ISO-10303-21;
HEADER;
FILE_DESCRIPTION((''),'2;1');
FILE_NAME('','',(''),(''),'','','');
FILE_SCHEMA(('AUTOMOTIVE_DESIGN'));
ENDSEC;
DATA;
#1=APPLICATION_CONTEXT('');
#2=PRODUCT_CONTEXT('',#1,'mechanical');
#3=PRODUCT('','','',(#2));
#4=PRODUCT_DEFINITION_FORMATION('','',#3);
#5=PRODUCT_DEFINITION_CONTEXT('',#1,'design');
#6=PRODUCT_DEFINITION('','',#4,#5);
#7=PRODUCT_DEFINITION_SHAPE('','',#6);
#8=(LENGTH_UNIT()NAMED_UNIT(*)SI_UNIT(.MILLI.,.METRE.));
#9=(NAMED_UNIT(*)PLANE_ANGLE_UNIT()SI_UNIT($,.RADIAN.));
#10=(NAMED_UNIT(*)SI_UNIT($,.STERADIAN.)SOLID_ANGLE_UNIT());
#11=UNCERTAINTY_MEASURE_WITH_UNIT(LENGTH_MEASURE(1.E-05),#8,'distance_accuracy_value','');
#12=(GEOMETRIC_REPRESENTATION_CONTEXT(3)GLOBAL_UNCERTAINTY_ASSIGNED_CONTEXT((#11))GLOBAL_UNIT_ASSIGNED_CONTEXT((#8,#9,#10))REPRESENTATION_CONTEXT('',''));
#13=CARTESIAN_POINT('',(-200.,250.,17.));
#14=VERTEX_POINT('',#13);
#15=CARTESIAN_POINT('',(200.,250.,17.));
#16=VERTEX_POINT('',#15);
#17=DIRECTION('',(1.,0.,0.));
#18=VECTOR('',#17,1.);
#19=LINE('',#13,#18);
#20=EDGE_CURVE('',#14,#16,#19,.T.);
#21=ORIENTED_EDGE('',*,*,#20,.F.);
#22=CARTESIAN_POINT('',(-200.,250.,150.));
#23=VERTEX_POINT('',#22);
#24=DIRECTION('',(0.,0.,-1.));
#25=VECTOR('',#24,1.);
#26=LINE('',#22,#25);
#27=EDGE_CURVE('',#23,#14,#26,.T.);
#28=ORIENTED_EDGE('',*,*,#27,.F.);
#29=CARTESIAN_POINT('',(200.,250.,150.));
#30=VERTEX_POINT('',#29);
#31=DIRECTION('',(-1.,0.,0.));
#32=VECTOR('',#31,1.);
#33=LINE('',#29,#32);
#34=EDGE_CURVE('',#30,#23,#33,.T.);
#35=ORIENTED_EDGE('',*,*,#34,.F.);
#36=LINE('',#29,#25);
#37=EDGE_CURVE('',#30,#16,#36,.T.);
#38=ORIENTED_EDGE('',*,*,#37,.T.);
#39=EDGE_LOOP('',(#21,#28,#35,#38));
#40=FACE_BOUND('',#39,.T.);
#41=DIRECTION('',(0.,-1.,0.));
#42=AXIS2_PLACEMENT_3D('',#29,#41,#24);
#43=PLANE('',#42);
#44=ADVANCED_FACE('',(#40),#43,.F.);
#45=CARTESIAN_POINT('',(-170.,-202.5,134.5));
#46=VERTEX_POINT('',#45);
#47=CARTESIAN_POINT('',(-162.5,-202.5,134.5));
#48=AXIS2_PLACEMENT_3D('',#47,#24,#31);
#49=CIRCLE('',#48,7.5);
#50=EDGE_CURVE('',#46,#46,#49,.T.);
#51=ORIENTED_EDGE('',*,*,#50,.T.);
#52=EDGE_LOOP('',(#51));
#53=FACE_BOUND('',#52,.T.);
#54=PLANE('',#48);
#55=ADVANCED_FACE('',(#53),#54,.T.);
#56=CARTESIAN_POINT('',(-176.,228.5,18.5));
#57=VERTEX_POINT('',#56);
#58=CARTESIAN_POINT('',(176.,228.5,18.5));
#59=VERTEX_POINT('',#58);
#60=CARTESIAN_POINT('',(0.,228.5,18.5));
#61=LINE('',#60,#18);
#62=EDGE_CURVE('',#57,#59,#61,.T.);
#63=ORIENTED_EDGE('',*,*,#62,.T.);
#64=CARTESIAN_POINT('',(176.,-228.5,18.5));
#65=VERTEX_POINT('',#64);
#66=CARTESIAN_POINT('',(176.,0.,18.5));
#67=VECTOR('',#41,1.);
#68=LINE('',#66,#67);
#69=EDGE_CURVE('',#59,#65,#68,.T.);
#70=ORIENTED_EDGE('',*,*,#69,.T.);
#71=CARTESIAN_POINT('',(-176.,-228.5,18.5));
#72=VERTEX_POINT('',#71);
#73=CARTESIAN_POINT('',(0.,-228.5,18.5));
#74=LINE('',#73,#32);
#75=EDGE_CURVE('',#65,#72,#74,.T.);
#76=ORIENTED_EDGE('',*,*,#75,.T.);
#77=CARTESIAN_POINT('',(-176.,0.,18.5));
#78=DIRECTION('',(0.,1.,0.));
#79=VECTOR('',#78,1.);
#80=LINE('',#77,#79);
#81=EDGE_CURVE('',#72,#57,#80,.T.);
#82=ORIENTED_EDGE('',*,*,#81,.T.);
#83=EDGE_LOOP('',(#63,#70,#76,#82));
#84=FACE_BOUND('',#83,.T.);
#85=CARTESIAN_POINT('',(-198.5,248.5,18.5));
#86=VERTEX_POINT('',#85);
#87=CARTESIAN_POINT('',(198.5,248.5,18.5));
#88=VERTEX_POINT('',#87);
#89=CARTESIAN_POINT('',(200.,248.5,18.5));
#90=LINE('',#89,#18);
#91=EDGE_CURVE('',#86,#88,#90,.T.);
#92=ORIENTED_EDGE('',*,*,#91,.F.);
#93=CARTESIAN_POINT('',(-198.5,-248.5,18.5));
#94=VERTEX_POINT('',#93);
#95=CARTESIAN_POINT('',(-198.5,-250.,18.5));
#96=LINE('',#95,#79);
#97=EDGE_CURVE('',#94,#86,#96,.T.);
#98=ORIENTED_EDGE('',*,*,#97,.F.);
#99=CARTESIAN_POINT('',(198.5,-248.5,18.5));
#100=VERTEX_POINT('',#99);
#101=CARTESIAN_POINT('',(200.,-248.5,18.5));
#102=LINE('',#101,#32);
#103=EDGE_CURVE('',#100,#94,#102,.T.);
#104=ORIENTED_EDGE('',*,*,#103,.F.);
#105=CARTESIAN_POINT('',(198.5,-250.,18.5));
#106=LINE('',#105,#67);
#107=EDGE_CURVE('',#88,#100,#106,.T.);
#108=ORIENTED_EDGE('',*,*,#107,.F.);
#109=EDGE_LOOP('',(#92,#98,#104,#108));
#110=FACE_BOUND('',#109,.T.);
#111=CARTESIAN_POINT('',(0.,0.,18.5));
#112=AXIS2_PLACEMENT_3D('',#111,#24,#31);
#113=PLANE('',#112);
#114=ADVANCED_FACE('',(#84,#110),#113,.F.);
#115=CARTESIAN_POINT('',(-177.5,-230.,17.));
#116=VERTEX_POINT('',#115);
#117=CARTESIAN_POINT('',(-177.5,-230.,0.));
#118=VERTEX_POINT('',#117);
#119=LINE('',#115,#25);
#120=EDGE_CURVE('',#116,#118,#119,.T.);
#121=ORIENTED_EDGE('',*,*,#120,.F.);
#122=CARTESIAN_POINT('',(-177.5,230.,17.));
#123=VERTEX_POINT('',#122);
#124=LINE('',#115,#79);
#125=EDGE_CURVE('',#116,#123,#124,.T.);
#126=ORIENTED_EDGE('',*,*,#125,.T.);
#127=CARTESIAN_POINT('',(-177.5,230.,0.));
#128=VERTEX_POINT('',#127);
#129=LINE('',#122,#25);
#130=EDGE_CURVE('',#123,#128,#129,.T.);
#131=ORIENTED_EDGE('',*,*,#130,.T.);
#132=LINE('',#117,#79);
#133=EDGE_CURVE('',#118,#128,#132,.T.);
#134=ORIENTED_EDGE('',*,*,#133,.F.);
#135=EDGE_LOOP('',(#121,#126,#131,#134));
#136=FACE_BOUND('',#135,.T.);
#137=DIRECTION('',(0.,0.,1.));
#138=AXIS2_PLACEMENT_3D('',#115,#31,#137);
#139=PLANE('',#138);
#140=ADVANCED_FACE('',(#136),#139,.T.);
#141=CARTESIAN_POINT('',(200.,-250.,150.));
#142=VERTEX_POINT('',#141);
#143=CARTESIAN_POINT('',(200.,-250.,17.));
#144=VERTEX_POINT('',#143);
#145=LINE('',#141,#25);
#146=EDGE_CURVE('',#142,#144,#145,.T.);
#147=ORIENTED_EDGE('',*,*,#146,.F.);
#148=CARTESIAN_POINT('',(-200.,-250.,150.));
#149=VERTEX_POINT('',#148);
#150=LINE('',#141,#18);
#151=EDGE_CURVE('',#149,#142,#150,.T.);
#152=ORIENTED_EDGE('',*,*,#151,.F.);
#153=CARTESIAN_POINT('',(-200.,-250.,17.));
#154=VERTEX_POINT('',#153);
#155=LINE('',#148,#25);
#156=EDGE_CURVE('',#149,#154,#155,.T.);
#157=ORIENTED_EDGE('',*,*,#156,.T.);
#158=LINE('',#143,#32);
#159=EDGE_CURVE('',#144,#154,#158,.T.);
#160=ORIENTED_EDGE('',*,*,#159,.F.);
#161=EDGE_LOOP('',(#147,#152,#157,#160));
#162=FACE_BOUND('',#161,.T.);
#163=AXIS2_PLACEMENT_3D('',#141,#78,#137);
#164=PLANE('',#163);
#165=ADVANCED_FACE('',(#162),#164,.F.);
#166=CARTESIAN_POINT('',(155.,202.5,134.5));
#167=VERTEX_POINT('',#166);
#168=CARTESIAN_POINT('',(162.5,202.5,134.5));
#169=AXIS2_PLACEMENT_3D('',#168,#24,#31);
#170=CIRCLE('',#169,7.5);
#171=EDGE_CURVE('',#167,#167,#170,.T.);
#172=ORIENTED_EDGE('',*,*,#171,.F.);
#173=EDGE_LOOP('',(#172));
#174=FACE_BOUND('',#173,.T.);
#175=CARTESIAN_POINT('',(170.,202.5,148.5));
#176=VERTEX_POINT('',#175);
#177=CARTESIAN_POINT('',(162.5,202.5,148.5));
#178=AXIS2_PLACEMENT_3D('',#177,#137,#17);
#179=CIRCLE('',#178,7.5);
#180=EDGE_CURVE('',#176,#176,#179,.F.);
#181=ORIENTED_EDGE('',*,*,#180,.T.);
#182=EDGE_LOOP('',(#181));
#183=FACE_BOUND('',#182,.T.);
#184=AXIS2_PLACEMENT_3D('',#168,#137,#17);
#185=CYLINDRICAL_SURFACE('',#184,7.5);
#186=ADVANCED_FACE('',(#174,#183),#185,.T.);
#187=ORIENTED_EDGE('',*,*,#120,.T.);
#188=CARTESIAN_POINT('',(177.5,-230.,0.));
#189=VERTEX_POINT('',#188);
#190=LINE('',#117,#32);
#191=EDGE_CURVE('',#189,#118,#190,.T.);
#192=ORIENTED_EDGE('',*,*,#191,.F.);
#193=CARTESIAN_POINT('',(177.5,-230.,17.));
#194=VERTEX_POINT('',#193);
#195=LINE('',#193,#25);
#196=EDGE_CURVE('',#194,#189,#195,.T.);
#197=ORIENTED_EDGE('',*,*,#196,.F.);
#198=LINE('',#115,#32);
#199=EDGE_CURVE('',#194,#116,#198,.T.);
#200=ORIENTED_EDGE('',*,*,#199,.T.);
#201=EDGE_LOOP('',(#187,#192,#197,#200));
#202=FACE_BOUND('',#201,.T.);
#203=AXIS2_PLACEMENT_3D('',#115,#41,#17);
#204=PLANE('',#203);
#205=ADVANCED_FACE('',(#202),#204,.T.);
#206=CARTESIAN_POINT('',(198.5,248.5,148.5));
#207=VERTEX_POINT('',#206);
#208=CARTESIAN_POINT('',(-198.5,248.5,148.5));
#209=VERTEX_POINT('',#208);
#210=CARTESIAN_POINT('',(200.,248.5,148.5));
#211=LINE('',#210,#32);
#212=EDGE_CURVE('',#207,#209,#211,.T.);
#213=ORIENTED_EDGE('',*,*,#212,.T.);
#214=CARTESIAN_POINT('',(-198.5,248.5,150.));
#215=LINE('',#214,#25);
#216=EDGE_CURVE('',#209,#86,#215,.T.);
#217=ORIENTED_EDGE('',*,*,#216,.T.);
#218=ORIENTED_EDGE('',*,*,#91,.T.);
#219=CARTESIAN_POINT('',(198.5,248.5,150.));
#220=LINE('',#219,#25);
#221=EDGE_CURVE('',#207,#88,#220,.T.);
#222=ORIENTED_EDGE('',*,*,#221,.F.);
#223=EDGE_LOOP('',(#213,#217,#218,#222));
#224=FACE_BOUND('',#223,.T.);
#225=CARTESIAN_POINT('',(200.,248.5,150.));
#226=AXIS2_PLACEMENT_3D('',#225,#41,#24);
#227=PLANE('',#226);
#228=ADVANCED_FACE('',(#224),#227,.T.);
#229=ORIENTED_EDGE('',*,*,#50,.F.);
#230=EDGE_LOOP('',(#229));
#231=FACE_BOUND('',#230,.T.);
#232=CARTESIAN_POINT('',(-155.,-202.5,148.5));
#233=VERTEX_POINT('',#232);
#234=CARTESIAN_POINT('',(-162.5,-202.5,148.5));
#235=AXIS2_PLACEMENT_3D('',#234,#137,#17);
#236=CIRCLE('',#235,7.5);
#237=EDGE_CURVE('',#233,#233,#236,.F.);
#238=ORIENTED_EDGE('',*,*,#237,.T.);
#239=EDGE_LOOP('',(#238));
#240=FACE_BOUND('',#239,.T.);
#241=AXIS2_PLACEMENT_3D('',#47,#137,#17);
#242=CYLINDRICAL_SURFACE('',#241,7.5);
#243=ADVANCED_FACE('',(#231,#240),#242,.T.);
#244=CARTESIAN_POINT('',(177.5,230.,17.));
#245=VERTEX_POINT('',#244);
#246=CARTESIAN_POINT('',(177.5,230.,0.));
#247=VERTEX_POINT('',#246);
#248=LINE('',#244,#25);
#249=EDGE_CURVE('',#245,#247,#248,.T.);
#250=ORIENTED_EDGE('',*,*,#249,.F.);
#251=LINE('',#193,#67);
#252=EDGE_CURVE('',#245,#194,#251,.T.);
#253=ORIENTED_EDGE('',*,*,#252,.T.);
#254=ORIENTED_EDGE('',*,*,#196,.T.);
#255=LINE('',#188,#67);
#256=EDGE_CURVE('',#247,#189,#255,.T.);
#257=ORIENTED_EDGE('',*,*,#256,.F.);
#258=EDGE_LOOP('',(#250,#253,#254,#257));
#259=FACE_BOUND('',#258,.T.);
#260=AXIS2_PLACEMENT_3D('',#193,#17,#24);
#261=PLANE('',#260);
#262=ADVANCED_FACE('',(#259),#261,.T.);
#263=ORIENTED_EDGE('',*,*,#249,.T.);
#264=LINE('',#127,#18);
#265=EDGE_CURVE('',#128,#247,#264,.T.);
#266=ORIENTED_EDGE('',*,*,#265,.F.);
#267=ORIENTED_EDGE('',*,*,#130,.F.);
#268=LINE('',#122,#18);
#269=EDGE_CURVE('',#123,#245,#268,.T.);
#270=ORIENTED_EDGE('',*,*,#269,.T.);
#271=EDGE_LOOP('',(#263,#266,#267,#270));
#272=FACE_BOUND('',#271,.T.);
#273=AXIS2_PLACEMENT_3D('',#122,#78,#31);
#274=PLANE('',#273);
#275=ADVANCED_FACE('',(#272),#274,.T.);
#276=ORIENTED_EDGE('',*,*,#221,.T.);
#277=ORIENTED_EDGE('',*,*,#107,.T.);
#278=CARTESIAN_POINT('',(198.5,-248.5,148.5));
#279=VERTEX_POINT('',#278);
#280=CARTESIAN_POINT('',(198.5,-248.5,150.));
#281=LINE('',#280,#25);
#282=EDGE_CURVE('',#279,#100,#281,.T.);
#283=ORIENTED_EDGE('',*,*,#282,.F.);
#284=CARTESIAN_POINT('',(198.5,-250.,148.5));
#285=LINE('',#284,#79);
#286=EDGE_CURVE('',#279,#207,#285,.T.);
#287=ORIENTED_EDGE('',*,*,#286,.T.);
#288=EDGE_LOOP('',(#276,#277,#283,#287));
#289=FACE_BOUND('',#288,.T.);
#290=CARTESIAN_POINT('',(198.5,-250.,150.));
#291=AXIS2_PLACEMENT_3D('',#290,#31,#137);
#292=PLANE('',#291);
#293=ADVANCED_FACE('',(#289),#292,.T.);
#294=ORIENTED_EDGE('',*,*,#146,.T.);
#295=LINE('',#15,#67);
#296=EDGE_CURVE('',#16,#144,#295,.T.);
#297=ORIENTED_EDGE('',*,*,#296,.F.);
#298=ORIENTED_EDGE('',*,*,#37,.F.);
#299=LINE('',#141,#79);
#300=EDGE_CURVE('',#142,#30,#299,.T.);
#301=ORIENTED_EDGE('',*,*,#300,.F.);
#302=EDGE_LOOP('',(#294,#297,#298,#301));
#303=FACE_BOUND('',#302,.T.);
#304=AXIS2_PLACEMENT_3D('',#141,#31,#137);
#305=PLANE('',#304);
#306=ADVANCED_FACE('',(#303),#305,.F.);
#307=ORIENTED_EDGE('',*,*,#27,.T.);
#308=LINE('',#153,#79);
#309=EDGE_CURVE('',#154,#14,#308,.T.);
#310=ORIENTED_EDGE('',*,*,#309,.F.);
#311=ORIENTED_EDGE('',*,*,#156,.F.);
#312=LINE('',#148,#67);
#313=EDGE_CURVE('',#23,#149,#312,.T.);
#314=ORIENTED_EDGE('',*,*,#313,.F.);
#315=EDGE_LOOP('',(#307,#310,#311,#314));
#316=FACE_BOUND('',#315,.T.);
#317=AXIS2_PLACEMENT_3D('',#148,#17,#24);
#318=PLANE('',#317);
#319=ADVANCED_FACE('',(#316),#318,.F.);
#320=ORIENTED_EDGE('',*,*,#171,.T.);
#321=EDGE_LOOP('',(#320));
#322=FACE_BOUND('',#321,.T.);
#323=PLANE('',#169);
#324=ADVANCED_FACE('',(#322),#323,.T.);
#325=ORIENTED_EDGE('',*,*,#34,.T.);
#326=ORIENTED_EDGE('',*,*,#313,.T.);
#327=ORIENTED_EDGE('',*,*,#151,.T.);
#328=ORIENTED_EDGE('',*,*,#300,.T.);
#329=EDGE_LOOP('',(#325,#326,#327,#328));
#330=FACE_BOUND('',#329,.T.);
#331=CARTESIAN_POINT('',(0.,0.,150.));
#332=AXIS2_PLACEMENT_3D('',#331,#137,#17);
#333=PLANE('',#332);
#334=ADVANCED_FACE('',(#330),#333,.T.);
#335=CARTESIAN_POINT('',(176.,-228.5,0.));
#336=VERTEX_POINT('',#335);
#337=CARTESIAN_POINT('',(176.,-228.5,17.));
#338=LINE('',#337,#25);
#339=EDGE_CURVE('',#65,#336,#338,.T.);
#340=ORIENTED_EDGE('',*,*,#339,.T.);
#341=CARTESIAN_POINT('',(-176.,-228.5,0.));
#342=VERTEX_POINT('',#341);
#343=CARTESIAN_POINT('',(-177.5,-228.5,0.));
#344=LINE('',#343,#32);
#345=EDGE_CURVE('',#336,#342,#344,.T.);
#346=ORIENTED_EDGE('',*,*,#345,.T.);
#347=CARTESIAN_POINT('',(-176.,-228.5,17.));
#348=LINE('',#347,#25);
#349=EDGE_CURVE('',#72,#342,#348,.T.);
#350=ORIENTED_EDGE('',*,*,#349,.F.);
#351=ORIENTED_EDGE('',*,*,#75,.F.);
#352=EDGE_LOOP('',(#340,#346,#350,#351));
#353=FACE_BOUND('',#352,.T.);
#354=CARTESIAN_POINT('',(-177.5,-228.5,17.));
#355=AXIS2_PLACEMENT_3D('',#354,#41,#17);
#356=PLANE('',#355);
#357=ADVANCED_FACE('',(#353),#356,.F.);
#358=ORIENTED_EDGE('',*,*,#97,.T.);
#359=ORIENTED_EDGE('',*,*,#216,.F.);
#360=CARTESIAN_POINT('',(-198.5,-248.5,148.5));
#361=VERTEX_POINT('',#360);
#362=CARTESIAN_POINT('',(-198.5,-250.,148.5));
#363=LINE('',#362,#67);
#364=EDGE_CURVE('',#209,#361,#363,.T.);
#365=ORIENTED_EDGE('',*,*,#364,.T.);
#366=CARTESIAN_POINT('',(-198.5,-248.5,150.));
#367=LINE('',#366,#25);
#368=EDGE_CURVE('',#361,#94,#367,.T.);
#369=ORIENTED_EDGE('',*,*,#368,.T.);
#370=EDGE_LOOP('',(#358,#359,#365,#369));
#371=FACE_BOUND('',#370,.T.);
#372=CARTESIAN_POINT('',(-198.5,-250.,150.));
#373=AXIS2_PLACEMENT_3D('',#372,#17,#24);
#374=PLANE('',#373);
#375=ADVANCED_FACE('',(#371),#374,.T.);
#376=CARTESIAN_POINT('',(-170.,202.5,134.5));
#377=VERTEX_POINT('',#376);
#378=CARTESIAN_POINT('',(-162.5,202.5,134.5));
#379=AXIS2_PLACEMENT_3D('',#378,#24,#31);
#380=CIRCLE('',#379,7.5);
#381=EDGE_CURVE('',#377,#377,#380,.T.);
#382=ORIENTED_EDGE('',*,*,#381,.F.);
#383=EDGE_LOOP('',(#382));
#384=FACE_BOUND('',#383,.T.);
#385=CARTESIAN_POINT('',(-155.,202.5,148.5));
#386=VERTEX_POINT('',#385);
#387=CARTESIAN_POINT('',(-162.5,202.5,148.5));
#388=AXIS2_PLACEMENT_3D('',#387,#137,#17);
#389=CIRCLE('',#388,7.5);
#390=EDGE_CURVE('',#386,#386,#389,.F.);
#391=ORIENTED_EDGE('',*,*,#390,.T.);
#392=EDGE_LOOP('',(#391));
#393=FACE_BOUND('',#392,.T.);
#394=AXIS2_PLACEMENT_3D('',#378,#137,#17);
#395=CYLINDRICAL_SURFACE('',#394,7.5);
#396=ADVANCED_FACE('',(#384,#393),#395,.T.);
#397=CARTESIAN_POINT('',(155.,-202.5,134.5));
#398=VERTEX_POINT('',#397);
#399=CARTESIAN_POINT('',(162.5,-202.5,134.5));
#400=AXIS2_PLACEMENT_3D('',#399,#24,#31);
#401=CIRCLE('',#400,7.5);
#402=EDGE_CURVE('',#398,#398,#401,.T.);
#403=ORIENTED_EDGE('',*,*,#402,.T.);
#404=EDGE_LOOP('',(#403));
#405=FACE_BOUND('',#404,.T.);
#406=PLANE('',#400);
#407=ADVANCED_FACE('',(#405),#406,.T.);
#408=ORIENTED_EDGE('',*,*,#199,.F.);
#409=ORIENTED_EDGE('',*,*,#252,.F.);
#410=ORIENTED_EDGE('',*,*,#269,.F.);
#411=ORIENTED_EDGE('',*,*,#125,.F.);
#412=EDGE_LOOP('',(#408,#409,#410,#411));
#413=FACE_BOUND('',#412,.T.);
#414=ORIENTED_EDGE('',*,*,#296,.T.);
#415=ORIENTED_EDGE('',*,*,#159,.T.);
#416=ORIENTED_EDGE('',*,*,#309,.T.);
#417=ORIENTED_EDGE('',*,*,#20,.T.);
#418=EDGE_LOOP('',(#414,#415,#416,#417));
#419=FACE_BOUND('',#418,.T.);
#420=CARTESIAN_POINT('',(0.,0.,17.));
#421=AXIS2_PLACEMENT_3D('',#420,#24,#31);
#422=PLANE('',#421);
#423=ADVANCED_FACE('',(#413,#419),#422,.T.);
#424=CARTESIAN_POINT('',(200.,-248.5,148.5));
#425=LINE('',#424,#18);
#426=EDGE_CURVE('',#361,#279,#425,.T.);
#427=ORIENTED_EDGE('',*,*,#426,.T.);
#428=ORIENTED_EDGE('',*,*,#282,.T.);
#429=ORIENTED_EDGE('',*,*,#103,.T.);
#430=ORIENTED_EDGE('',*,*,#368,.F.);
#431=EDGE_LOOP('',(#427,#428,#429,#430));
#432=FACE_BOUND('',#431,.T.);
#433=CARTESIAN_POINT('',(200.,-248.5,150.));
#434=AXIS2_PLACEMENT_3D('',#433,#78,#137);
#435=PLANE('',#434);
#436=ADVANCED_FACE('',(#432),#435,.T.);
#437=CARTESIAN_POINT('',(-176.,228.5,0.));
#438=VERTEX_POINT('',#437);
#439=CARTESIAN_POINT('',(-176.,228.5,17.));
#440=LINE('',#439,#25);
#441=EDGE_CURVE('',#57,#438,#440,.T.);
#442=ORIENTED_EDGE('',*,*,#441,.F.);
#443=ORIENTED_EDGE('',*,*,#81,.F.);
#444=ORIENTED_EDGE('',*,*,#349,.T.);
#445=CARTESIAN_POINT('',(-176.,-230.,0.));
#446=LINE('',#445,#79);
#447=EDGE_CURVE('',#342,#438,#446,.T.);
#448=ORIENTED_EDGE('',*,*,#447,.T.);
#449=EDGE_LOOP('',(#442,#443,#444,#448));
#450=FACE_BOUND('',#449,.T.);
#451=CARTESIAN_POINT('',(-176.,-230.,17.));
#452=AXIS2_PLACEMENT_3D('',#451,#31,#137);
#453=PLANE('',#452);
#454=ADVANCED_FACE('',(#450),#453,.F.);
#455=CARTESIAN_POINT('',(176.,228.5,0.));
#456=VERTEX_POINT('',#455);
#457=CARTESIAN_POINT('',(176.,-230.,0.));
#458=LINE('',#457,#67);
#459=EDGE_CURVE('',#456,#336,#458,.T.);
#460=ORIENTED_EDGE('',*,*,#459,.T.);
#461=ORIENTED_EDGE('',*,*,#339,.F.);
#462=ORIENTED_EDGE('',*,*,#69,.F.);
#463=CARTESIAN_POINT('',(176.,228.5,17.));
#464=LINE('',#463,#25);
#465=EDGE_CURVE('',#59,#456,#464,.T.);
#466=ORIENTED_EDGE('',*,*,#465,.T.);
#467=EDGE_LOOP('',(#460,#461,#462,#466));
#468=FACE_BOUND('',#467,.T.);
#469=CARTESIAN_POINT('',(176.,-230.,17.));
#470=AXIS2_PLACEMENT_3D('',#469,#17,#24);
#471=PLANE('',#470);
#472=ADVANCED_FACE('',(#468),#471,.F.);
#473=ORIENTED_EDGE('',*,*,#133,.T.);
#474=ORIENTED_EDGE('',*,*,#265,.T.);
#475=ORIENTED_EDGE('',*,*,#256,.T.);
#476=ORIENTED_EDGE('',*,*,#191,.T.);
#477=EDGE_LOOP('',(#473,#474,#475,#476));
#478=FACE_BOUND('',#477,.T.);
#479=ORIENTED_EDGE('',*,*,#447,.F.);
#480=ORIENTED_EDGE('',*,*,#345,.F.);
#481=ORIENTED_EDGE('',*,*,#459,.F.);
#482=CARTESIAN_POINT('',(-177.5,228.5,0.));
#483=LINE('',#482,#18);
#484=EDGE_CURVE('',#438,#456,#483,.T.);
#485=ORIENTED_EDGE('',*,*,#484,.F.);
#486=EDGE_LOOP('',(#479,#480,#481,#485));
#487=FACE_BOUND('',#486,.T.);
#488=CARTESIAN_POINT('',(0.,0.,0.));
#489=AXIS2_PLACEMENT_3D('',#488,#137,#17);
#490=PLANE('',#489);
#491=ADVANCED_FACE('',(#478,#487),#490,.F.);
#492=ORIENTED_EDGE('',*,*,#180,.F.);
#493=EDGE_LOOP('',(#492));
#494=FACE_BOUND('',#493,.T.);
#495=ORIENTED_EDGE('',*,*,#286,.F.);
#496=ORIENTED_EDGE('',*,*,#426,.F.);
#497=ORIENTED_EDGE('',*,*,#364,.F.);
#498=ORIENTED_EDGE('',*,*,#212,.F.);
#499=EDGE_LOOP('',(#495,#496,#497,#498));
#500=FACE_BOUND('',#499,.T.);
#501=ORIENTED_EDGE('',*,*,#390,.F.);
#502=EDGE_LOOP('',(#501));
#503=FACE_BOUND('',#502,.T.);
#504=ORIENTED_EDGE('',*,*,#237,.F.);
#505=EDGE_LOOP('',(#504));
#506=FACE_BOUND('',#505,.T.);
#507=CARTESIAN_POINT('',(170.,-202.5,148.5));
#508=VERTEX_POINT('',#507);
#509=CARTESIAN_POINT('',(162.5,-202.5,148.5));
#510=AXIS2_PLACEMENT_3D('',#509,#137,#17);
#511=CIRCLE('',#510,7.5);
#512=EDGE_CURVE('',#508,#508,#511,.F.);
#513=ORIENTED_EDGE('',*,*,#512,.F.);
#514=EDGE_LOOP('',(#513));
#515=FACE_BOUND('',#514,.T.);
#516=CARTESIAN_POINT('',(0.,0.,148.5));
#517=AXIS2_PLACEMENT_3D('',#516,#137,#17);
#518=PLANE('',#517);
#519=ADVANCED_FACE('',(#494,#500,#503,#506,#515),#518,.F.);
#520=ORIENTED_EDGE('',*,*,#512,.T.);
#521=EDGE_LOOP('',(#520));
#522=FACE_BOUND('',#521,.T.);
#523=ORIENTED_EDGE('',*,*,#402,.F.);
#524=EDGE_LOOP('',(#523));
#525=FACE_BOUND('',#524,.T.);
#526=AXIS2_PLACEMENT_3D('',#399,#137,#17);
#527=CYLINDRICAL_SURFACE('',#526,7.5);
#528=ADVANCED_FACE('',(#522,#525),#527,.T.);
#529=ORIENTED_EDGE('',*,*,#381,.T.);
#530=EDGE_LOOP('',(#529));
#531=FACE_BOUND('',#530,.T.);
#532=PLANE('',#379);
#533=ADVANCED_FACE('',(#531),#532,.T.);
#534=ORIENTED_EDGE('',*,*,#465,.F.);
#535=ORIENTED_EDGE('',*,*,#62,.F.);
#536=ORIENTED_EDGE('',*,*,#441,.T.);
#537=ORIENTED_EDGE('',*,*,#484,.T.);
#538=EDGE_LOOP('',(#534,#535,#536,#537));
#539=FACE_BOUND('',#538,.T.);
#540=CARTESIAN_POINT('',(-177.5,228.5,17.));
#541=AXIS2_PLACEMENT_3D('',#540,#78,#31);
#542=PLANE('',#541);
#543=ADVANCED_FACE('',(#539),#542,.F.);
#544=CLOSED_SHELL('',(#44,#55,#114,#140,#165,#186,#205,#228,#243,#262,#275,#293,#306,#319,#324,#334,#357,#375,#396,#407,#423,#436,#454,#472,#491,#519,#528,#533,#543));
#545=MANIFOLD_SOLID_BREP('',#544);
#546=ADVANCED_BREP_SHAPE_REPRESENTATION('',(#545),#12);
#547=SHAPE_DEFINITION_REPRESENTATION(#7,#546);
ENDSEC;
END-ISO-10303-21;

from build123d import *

# Parameters (mm, degrees)
SKETCH1_W           = 400
SKETCH1_H           = 500
BOSS_EXTRUDE1_DEPTH = 150
SKETCH2_W           = 400
SKETCH2_H           = 500
SKETCH2_W_2         = 355
SKETCH2_H_2         = 460
CUT_EXTRUDE1_DEPTH  = 17
SHELL1_T            = -1.5
SKETCH3_R           = 7.5
BOSS_EXTRUDE2_DEPTH = 14


with BuildPart() as part:
    # Sketch1 → Boss-Extrude1 (new body)
    with BuildSketch(Plane.XY):
        Rectangle(SKETCH1_W, SKETCH1_H)
    extrude(amount=BOSS_EXTRUDE1_DEPTH)

    # Sketch2 → Cut-Extrude1 (cut)
    with BuildSketch(Plane(origin=(0, 0, 0), x_dir=(-1, 0, 0), z_dir=(0, 0, -1))):
        Rectangle(SKETCH2_W, SKETCH2_H)
        Rectangle(SKETCH2_W_2, SKETCH2_H_2, mode=Mode.SUBTRACT)
    extrude(amount=-CUT_EXTRUDE1_DEPTH, mode=Mode.SUBTRACT)

    # Shell1
    shell1_openings = [part.faces().sort_by_distance(p)[0] for p in [
        (0, 0, 0),
    ]]
    offset(amount=SHELL1_T, openings=shell1_openings, kind=Kind.INTERSECTION)

    # Sketch3 → Boss-Extrude2 (add)
    with BuildSketch(Plane(origin=(0, 0, 148.5), x_dir=(-1, 0, 0), z_dir=(0, 0, -1))):
        with Locations(Location((-162.5, 202.5, 0), (0, 0, 180))):
            Circle(SKETCH3_R)
        with Locations(Location((162.5, 202.5, 0), (0, 0, 180))):
            Circle(SKETCH3_R)
        with Locations(Location((162.5, -202.5, 0), (0, 0, 180))):
            Circle(SKETCH3_R)
        with Locations(Location((-162.5, -202.5, 0), (0, 0, 180))):
            Circle(SKETCH3_R)
    extrude(amount=BOSS_EXTRUDE2_DEPTH)


solid = part.part
